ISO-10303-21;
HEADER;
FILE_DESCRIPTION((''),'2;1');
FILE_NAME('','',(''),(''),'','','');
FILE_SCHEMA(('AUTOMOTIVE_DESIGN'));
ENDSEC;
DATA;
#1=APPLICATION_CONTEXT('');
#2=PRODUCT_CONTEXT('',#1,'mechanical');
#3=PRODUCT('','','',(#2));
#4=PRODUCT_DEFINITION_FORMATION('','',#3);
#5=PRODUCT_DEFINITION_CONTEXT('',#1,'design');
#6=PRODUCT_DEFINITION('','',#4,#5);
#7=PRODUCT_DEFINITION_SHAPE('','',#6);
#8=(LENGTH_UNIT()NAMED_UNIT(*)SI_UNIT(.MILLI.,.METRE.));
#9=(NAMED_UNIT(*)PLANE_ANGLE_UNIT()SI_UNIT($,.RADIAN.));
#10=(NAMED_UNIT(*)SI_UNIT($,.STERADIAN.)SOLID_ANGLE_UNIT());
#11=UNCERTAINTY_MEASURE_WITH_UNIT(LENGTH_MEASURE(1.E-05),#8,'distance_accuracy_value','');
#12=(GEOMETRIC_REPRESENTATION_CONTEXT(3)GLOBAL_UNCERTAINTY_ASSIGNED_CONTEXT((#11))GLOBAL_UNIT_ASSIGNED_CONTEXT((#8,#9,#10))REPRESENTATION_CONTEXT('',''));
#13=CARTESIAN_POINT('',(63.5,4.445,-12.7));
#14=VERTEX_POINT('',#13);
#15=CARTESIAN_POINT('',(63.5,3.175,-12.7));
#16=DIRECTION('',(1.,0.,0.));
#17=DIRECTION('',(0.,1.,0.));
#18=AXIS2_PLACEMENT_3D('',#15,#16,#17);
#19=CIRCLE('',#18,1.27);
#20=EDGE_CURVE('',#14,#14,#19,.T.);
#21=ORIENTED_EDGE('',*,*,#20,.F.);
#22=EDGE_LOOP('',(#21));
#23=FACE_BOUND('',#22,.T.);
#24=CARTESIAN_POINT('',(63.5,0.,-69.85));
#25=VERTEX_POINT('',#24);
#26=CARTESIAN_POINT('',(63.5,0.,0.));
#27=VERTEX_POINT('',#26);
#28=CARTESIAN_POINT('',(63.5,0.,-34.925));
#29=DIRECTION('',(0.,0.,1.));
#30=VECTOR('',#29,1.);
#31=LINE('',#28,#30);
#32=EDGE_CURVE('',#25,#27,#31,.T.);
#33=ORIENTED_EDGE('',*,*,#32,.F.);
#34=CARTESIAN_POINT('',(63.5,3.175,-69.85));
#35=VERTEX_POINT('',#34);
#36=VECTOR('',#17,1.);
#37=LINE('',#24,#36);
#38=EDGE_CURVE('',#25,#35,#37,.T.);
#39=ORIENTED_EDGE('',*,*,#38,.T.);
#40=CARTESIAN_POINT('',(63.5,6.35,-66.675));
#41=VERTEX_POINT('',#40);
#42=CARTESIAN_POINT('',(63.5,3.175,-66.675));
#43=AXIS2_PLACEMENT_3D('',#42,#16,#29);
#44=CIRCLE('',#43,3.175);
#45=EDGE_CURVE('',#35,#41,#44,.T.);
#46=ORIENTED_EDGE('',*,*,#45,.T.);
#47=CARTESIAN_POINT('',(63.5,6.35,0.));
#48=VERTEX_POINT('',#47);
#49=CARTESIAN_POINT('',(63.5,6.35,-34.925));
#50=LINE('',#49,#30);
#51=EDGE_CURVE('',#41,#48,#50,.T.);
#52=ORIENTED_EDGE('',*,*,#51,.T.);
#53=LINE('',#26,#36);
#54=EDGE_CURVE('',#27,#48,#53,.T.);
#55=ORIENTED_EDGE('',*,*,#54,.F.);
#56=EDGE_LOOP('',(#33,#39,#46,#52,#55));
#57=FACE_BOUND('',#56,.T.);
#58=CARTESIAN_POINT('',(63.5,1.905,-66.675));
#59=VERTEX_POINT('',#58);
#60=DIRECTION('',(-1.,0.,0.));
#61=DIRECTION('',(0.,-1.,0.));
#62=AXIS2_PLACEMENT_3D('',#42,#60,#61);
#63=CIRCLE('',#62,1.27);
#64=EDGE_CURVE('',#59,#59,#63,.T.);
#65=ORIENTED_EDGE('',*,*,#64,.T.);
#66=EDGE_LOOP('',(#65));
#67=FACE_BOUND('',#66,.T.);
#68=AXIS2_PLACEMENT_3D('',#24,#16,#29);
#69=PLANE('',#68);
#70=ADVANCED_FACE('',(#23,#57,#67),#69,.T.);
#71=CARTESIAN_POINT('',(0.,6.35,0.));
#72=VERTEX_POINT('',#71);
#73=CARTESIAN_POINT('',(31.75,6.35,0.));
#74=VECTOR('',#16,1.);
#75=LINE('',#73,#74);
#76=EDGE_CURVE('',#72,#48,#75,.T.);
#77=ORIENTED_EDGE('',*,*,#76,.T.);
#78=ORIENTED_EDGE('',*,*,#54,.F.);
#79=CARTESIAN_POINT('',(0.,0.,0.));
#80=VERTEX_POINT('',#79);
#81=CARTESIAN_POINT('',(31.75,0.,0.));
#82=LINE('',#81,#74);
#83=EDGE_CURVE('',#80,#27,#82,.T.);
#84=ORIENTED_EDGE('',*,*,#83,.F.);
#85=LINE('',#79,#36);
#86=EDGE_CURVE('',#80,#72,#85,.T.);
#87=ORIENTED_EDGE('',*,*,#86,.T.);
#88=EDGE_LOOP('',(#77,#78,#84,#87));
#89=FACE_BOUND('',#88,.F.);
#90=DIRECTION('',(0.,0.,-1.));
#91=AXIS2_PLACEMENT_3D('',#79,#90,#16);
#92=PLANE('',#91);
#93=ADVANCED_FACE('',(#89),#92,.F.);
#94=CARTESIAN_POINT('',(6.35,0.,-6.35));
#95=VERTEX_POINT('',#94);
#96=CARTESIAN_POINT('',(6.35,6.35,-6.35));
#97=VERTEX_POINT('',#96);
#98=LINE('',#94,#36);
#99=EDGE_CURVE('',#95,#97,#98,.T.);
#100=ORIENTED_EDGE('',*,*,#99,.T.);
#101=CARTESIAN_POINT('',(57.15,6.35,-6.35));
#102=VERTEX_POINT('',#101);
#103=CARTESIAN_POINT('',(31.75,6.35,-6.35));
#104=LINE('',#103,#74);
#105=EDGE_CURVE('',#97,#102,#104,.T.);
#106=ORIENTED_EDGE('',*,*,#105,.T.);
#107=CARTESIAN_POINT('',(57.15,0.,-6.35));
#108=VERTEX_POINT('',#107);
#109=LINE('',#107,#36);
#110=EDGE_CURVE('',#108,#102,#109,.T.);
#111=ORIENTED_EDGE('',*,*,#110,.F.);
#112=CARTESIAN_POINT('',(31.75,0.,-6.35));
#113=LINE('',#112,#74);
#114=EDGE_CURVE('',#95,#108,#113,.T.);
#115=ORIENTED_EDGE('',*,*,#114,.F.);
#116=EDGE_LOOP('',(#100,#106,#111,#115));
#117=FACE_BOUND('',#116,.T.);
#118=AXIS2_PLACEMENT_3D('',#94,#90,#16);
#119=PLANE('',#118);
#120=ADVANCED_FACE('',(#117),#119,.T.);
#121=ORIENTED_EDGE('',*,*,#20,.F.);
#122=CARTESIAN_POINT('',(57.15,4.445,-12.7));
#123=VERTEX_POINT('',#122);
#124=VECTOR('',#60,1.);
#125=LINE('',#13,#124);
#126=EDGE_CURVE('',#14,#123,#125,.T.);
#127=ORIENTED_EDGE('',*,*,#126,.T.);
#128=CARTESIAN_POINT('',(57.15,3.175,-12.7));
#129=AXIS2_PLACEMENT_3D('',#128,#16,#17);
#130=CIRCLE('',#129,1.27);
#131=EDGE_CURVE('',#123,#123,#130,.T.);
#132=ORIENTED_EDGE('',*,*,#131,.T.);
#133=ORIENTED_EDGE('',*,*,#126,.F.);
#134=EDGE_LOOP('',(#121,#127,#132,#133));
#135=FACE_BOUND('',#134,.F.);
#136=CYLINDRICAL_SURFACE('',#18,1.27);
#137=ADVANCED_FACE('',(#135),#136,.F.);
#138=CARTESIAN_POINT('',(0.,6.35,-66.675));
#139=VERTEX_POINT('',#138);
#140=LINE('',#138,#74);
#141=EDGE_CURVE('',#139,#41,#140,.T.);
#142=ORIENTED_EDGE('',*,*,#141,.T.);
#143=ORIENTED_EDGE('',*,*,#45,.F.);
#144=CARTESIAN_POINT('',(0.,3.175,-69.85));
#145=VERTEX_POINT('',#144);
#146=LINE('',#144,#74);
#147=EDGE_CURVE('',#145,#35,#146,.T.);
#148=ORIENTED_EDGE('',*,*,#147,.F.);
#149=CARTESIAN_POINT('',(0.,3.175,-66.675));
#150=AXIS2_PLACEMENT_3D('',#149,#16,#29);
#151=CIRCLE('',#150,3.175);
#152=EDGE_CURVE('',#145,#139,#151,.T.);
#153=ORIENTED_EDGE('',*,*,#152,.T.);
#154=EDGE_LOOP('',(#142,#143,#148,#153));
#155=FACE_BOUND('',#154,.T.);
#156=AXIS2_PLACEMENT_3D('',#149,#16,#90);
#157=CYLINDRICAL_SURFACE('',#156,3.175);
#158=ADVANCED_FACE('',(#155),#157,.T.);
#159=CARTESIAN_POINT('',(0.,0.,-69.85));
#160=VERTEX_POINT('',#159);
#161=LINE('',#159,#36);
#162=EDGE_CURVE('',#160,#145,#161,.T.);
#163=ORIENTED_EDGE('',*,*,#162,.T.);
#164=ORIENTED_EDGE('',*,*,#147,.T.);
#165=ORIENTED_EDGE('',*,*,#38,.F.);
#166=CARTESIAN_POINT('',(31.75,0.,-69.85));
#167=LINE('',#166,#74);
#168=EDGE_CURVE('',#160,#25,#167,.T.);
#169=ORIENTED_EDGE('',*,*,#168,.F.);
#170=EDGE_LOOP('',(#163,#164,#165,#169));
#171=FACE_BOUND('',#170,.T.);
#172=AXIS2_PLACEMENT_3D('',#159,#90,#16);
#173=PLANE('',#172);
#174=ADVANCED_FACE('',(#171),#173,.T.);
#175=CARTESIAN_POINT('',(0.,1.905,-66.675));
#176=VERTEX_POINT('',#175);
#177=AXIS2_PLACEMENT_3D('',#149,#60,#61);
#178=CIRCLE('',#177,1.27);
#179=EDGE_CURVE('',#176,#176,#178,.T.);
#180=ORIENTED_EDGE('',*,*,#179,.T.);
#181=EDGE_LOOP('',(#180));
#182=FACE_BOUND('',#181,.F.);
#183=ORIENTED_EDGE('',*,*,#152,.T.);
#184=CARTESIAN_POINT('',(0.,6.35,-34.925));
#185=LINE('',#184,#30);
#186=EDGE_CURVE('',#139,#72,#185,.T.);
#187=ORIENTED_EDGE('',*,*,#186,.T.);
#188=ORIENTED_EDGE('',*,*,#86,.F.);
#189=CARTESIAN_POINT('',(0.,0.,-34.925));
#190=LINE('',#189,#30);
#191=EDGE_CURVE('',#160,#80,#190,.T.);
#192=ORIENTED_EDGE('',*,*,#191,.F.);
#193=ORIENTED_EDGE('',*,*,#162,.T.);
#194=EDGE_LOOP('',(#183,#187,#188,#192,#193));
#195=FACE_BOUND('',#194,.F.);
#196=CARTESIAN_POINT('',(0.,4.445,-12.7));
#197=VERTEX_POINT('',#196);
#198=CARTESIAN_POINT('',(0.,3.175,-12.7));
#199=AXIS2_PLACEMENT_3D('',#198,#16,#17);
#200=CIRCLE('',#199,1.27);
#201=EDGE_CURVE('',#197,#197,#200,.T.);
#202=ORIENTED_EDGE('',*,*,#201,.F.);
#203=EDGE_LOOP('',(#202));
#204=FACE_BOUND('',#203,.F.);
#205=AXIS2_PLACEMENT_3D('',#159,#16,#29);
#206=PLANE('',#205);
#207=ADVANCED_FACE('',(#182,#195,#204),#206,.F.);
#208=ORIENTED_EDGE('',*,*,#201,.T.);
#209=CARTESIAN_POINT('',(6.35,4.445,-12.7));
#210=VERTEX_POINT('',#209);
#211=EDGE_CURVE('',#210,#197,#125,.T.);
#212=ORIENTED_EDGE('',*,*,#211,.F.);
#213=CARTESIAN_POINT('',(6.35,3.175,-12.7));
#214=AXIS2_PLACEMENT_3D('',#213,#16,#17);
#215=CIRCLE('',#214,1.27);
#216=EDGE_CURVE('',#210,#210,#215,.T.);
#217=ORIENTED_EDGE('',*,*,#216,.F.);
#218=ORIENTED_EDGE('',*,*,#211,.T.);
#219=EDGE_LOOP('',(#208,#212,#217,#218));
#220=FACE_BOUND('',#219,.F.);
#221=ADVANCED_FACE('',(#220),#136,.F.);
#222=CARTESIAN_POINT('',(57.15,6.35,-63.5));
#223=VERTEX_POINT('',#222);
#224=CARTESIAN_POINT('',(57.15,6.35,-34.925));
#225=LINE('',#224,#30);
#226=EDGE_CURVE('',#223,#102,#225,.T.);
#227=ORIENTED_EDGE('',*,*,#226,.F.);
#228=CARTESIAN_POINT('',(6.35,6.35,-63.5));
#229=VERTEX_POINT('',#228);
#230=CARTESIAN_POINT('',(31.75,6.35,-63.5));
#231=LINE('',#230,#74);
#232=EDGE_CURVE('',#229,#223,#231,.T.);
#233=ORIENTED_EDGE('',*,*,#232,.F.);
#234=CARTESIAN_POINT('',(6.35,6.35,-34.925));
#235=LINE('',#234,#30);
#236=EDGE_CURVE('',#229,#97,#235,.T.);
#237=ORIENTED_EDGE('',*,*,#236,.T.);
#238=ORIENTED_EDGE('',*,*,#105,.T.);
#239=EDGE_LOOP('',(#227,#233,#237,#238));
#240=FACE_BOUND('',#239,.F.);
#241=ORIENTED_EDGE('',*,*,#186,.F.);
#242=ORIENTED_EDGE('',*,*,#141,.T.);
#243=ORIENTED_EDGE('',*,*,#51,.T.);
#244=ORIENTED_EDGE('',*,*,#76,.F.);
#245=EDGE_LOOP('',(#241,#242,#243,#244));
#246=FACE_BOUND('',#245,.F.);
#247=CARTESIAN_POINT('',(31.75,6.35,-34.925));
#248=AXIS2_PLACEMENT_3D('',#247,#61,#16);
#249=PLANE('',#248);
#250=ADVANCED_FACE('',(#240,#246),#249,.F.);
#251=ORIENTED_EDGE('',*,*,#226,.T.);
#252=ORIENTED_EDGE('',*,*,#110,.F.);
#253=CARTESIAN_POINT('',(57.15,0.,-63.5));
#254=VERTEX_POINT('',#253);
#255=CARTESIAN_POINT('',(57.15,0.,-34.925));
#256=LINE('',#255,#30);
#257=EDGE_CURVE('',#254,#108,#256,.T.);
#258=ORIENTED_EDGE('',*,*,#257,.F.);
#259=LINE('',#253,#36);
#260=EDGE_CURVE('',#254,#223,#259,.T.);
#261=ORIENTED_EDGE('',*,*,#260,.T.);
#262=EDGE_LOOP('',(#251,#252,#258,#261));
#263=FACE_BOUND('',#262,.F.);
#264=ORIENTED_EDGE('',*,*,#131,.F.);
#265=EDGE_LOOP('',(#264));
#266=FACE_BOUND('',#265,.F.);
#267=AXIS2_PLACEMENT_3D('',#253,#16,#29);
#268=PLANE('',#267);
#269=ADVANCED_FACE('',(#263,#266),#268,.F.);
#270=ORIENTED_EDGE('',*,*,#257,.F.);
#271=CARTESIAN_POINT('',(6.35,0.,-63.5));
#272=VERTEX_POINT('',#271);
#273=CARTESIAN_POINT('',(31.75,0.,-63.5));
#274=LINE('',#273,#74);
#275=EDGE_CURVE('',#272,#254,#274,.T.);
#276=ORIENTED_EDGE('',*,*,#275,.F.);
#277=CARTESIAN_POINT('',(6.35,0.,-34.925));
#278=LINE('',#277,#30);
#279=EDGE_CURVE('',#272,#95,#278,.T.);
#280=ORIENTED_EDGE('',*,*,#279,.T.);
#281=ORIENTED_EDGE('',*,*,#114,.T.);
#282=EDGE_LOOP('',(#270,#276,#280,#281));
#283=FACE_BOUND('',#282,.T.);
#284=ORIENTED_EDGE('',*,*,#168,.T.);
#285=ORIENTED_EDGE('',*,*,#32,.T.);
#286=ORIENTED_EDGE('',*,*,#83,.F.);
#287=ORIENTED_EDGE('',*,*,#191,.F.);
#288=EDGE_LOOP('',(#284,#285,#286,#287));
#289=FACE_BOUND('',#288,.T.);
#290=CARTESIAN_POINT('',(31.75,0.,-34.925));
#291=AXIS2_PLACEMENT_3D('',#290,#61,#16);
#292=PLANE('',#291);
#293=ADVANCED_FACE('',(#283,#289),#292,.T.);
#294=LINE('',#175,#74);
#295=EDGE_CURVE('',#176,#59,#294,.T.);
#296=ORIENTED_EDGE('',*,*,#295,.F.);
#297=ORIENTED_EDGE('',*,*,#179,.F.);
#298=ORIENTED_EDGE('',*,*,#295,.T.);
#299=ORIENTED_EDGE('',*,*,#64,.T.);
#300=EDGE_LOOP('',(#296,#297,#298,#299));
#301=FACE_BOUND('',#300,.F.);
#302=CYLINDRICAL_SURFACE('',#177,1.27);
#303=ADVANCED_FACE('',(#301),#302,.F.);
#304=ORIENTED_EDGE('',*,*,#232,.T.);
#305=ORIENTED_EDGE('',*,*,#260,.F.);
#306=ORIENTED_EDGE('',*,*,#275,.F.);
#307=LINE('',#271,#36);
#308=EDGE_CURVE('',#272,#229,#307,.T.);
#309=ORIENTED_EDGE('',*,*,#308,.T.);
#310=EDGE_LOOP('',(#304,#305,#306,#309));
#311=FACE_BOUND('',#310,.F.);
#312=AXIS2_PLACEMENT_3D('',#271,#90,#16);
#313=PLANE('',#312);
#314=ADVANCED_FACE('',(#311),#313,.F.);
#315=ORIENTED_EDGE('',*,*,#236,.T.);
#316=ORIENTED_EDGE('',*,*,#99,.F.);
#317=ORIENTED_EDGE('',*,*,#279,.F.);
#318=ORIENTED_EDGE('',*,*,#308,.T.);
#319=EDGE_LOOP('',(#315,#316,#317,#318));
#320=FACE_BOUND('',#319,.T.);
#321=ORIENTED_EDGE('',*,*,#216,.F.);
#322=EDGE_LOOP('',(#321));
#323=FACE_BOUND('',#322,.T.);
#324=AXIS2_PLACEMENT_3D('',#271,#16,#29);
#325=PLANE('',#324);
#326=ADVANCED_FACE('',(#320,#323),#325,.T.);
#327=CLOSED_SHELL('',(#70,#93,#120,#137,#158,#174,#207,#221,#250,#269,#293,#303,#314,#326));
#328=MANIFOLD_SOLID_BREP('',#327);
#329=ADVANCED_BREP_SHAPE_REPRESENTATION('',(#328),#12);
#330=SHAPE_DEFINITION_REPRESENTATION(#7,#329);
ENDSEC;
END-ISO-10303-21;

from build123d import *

# Parameters (mm, degrees)
F0_W     = 63.5
F0_H     = 69.85
F0_W_2   = 50.8
F0_H_2   = 57.15
F1_DEPTH = 6.35
F2_R     = 1.27
F3_DEPTH = 63.501
F4_R     = 3.175
F5_R     = 1.27
F6_DEPTH = 63.501


with BuildPart() as f1:
    # F0 (on Front) → F1 (new body)
    with BuildSketch(Plane.XZ):
        with Locations((31.75, -34.925)):
            Rectangle(F0_W, F0_H)
        with Locations((31.75, -34.925)):
            Rectangle(F0_W_2, F0_H_2, mode=Mode.SUBTRACT)
    extrude(amount=-F1_DEPTH)

    # F2 (on face) → F3 (cut, through all)
    with BuildSketch(Plane(origin=(0, 0, 0), x_dir=(0, -1, 0), z_dir=(-1, 0, 0))):
        with Locations((-3.175, -66.675)):
            Circle(F2_R)
    extrude(amount=-F3_DEPTH, mode=Mode.SUBTRACT)

    # F4
    f4_edges = [f1.edges().sort_by_distance(p)[0] for p in [
        (31.75, 6.35, -69.85),
    ]]
    fillet(f4_edges, radius=F4_R)

    # F5 (on face) → F6 (cut, through all)
    with BuildSketch(Plane.YZ.offset(63.5)):
        with Locations((3.175, -12.7)):
            Circle(F5_R)
    extrude(amount=-F6_DEPTH, mode=Mode.SUBTRACT)


solid = f1.part
